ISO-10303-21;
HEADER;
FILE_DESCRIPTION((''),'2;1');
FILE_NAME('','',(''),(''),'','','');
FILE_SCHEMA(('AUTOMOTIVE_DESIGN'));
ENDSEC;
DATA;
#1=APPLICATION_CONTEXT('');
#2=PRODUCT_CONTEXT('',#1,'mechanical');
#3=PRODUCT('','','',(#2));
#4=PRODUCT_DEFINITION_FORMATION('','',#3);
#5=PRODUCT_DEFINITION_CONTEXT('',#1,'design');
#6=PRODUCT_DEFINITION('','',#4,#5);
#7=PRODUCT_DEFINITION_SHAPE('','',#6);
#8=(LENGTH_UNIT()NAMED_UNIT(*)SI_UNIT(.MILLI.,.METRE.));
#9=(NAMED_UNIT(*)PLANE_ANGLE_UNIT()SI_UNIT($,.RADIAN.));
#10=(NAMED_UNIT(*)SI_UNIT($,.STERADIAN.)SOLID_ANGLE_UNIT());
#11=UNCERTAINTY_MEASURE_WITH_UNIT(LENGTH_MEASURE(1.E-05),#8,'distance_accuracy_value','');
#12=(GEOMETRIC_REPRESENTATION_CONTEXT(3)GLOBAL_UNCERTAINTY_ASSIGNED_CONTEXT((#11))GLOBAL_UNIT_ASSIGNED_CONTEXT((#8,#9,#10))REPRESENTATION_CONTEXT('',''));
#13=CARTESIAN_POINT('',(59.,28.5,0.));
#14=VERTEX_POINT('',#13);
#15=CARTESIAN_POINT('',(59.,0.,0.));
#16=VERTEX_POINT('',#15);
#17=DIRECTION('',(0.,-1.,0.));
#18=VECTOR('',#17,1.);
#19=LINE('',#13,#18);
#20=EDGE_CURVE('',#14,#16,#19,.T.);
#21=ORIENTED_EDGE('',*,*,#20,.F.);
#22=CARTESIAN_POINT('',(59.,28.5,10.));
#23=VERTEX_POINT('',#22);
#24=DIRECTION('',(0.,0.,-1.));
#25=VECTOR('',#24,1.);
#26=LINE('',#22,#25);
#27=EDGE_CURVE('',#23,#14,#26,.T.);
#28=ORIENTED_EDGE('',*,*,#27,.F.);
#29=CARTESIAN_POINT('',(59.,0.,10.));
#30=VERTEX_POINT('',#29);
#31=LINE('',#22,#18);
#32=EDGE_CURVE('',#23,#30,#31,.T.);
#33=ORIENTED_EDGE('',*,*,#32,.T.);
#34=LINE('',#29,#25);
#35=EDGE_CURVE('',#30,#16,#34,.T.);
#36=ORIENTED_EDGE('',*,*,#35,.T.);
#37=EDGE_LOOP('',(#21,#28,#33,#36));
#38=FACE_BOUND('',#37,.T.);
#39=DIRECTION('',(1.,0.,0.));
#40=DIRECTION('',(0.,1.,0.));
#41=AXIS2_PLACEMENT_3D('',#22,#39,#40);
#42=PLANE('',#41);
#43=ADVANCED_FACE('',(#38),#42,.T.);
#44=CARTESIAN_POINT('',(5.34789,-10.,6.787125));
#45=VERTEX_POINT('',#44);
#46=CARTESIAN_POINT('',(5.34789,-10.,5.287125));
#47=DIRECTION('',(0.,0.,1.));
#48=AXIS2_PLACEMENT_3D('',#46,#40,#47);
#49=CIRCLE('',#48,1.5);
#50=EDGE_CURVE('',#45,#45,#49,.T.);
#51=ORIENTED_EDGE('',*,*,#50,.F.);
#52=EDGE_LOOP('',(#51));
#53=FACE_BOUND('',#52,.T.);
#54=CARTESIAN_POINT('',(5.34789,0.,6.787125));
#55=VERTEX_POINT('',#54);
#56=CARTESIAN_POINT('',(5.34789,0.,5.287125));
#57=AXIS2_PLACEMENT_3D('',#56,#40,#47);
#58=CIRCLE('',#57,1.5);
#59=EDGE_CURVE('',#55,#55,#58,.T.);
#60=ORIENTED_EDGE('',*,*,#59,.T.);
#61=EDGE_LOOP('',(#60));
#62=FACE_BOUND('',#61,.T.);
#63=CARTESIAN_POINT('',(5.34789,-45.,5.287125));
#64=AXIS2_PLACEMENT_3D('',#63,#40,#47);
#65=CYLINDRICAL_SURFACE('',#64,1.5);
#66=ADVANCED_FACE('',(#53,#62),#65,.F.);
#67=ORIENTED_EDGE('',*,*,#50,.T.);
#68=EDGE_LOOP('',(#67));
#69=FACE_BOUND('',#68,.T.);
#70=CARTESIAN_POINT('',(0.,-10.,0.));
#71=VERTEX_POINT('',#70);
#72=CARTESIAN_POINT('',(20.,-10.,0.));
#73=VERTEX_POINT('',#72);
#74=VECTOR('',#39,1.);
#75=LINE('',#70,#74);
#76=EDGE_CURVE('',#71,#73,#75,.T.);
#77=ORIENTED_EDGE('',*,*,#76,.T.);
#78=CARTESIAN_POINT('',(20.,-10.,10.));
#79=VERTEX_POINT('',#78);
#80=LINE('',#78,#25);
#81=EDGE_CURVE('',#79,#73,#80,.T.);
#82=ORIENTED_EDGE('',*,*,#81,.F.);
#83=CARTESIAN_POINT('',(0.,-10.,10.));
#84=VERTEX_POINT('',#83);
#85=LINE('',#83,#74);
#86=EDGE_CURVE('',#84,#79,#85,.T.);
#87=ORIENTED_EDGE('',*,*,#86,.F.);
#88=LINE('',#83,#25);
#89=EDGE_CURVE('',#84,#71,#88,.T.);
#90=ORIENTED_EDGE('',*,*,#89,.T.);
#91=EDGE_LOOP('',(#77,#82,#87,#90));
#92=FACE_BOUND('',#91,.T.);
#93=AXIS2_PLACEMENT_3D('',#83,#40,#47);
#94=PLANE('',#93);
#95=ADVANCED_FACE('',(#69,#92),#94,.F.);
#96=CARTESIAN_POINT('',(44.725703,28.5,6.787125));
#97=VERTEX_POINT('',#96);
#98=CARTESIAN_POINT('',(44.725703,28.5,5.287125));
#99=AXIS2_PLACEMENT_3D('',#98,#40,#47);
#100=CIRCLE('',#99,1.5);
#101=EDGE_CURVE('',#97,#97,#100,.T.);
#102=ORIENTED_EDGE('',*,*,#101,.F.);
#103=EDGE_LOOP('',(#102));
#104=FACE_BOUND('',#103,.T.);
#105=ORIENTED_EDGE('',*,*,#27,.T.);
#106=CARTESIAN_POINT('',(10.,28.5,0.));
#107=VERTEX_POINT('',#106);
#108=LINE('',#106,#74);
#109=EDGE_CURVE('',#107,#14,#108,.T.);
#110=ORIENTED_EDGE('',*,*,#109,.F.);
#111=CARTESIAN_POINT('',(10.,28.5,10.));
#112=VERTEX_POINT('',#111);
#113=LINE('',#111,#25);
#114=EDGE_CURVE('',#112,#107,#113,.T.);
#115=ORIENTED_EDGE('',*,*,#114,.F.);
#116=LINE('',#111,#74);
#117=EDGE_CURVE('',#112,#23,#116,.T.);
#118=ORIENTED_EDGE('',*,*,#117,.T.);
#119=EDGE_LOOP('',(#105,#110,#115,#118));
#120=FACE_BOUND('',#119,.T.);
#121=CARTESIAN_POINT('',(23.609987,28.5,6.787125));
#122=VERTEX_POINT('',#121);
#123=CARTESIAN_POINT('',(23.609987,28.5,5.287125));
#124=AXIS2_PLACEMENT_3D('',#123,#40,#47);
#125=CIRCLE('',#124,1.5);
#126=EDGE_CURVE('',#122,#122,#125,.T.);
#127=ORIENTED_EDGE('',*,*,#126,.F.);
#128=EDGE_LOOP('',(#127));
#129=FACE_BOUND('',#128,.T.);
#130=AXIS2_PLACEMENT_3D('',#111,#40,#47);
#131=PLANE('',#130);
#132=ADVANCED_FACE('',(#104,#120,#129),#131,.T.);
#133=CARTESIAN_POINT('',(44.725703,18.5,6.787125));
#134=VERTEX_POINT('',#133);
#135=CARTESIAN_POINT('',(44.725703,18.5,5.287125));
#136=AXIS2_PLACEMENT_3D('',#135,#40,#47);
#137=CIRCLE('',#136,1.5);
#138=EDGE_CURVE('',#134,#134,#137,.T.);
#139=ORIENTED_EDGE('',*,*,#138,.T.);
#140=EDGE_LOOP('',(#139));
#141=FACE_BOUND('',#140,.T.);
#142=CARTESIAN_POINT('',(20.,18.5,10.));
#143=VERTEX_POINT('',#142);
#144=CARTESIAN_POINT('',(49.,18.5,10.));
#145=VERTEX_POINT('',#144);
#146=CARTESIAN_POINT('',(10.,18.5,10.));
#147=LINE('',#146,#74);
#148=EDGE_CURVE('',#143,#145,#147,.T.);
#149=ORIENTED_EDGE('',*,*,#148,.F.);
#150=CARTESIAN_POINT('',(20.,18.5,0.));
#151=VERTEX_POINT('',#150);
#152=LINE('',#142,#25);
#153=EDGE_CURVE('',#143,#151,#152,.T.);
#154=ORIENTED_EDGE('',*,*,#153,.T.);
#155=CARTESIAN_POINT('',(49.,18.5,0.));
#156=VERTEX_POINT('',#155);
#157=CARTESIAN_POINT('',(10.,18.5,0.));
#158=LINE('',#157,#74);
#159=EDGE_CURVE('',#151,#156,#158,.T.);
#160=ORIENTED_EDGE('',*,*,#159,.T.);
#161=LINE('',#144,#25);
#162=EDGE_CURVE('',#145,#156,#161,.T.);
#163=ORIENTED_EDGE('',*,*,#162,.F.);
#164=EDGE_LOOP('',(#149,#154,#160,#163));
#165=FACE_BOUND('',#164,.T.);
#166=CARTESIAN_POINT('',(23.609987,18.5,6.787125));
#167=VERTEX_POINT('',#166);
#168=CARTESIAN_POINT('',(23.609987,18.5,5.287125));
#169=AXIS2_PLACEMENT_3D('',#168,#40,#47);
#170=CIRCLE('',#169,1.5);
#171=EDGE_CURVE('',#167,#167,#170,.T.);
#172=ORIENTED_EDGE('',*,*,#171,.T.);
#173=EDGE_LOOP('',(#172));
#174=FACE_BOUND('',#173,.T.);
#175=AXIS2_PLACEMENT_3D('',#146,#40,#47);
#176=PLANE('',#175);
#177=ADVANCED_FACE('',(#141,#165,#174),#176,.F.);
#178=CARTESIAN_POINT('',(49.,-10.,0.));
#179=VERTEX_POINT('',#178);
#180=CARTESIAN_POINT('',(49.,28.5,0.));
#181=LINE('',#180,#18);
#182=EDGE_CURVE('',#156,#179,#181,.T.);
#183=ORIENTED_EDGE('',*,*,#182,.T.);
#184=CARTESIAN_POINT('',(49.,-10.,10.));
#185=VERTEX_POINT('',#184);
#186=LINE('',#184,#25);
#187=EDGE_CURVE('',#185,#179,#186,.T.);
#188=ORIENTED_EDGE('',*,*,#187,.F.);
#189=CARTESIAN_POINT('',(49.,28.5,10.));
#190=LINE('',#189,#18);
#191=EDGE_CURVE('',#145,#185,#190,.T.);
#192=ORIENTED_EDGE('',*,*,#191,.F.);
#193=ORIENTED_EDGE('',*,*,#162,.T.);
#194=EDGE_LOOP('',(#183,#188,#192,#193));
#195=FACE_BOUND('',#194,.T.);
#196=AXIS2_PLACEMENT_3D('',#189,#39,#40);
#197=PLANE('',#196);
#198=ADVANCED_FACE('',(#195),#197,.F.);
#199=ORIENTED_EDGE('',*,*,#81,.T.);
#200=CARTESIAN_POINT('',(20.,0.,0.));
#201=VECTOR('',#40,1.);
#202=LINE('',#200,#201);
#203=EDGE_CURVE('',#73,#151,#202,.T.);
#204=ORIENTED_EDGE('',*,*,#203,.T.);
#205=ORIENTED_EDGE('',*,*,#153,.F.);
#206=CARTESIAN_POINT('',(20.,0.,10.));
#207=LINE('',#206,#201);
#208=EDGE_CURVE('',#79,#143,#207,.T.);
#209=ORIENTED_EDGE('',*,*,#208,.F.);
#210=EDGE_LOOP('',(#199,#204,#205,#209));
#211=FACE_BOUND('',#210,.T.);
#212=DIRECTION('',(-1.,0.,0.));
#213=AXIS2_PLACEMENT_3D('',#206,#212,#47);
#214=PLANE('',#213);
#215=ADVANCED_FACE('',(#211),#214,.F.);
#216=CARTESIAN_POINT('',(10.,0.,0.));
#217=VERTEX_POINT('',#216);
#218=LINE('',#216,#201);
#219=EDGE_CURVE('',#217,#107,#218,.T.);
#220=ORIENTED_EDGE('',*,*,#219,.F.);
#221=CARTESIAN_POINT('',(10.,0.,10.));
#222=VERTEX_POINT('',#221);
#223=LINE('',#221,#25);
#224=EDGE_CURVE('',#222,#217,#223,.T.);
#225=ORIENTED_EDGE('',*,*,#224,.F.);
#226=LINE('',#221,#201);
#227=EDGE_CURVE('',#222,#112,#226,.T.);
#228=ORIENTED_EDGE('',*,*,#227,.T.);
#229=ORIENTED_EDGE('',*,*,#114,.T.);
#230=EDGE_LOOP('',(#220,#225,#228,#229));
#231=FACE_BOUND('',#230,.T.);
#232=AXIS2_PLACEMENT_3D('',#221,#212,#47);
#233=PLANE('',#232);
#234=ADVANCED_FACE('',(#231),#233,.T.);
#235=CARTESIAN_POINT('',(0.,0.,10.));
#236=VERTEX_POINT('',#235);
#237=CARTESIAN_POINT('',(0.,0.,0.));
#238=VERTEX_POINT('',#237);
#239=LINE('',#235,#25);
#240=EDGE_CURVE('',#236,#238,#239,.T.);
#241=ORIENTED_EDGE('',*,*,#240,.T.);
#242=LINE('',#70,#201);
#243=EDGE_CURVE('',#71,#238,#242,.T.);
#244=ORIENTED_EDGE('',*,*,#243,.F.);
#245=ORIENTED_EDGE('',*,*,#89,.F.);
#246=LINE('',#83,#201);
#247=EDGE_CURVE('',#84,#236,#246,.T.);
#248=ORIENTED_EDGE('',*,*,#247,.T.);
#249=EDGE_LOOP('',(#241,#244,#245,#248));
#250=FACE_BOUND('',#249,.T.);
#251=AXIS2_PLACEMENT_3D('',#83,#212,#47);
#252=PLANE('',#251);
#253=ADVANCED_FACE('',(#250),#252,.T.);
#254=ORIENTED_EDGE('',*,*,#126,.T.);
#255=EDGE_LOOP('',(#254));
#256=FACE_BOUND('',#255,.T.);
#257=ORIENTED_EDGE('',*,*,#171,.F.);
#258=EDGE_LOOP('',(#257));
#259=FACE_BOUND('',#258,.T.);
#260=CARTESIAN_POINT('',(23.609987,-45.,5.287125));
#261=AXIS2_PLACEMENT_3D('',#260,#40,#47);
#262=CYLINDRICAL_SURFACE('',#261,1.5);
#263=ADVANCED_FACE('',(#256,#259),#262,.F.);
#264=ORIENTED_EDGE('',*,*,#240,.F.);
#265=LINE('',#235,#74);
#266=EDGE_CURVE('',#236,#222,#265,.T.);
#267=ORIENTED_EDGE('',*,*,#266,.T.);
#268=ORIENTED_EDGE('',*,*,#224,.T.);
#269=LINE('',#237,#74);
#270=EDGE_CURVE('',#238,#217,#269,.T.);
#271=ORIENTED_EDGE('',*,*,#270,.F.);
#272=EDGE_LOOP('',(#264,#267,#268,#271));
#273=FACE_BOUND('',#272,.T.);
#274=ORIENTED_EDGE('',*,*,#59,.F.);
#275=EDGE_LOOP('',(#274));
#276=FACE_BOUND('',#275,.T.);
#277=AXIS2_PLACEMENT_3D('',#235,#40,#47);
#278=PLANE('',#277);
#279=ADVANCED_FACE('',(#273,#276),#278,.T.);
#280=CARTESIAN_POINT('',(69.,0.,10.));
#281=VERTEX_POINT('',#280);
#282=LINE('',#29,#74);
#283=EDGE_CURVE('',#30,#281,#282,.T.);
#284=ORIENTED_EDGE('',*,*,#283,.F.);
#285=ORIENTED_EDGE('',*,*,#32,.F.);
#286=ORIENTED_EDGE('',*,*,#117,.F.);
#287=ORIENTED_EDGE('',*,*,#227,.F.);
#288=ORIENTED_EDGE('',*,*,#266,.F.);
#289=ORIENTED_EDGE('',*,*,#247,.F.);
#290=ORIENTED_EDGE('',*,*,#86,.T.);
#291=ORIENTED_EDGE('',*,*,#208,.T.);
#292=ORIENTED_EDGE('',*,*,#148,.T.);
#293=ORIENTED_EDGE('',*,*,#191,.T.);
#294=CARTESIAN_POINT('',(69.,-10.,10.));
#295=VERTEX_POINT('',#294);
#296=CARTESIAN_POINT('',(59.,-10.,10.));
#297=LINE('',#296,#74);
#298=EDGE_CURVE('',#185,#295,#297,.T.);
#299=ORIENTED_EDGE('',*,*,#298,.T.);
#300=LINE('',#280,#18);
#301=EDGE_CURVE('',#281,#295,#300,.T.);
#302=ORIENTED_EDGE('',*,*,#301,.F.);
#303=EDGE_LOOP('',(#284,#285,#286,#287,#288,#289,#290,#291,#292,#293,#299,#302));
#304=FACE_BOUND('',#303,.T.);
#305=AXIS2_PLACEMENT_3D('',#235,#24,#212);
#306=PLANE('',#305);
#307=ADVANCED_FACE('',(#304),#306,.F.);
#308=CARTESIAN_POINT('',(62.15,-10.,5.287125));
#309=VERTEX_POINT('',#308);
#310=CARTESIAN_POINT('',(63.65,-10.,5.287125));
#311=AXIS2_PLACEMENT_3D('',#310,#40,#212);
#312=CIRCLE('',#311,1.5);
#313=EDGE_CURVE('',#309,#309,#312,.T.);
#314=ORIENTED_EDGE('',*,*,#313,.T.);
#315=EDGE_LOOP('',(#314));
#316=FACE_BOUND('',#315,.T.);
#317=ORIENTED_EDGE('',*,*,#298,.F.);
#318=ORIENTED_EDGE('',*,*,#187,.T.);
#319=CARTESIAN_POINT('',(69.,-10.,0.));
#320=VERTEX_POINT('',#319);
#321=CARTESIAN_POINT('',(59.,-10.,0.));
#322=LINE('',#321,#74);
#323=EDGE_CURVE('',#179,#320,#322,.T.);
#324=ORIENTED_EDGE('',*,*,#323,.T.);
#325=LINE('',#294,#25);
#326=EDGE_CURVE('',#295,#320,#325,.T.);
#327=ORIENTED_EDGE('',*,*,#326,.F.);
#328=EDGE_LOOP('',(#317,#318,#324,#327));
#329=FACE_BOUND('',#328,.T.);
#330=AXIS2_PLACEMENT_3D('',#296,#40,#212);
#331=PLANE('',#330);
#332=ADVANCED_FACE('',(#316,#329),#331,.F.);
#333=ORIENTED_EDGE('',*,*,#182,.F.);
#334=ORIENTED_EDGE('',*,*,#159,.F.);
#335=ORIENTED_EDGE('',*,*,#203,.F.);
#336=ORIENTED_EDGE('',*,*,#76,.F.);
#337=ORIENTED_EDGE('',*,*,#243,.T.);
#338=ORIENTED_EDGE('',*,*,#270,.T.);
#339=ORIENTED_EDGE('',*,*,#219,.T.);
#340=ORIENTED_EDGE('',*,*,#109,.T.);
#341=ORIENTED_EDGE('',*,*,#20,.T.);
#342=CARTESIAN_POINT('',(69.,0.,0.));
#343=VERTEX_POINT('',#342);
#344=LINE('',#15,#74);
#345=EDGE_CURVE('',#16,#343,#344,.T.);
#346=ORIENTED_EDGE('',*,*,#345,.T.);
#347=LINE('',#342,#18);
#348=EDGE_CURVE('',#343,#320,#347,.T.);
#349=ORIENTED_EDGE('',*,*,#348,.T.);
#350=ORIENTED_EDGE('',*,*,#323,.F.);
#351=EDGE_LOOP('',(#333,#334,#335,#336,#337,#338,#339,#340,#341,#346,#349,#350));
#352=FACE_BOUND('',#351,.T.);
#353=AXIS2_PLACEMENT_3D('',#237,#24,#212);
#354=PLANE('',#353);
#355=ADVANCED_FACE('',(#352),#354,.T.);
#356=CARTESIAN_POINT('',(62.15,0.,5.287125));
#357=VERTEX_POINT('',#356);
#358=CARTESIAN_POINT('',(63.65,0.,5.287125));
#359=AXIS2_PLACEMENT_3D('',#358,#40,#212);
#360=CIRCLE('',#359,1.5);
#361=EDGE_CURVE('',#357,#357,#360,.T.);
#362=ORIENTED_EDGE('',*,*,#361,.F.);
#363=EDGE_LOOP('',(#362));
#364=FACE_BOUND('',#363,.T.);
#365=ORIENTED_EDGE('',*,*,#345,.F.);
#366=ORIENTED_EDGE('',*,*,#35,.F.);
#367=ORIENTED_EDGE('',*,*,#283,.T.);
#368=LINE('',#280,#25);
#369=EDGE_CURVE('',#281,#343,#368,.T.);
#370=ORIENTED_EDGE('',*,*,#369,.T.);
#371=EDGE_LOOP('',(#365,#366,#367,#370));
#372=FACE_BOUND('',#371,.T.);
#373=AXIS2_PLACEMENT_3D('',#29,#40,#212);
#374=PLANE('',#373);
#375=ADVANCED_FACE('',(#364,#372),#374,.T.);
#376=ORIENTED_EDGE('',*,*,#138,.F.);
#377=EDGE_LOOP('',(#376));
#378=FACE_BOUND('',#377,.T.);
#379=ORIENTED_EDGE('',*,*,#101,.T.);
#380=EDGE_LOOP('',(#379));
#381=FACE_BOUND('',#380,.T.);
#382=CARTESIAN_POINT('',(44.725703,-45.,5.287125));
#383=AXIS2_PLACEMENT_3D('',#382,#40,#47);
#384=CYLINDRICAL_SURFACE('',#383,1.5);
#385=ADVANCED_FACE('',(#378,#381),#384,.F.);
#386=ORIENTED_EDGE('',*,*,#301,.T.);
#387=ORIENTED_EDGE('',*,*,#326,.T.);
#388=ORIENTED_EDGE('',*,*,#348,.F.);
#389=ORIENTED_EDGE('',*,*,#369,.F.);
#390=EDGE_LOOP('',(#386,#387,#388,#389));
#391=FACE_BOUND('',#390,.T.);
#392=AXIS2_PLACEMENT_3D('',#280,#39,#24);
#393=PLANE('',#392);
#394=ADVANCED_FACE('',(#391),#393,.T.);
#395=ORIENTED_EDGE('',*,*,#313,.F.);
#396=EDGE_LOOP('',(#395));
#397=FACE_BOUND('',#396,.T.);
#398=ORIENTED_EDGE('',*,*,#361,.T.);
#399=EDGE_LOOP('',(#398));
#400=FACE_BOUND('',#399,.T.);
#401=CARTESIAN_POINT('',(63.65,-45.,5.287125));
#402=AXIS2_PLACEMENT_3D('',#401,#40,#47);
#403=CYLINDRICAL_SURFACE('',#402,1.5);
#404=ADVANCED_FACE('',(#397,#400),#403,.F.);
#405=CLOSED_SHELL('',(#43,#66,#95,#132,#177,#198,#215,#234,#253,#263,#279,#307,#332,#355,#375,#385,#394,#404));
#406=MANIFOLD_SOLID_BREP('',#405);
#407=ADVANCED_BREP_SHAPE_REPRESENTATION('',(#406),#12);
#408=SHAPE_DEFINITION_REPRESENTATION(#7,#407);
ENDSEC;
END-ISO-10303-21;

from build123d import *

# Parameters (mm, degrees)
EXTRUDE_THIN1_DEPTH     = 10
CUT_EXTRUDE1_DEPTH      = 38
CUT_EXTRUDE1_DEPTH_BACK = 45
SKETCH2_R               = 1.5


with BuildPart() as part:
    # Sketch1 → Extrude-Thin1 (new body)
    with BuildSketch(Plane.XY):
        Polygon((0, 0), (10, 0), (10, 28.5), (59, 28.5), (59, 0), (69, 0), (69, -10), (49, -10), (49, 18.5), (20, 18.5), (20, -10), (0, -10), align=None)
    extrude(amount=EXTRUDE_THIN1_DEPTH)

    # Sketch2 → Cut-Extrude1 (cut, two sides: drawn at the far end of the back side and taken through both)
    with BuildSketch(Plane(origin=(0, 0, 0), x_dir=(1, 0, 0), z_dir=(0, 1, 0)).offset(-CUT_EXTRUDE1_DEPTH_BACK)):
        with Locations(Location((5.34788965, -5.287124533, 0), (0, 0, 270))):
            Circle(SKETCH2_R)
        with Locations(Location((63.65, -5.287124533, 0), (0, 0, 180))):
            Circle(SKETCH2_R)
        with Locations(Location((23.609987296, -5.287124533, 0), (0, 0, 270))):
            Circle(SKETCH2_R)
        with Locations(Location((44.725702821, -5.287124533, 0), (0, 0, 270))):
            Circle(SKETCH2_R)
    extrude(amount=CUT_EXTRUDE1_DEPTH + CUT_EXTRUDE1_DEPTH_BACK, mode=Mode.SUBTRACT)


solid = part.part
